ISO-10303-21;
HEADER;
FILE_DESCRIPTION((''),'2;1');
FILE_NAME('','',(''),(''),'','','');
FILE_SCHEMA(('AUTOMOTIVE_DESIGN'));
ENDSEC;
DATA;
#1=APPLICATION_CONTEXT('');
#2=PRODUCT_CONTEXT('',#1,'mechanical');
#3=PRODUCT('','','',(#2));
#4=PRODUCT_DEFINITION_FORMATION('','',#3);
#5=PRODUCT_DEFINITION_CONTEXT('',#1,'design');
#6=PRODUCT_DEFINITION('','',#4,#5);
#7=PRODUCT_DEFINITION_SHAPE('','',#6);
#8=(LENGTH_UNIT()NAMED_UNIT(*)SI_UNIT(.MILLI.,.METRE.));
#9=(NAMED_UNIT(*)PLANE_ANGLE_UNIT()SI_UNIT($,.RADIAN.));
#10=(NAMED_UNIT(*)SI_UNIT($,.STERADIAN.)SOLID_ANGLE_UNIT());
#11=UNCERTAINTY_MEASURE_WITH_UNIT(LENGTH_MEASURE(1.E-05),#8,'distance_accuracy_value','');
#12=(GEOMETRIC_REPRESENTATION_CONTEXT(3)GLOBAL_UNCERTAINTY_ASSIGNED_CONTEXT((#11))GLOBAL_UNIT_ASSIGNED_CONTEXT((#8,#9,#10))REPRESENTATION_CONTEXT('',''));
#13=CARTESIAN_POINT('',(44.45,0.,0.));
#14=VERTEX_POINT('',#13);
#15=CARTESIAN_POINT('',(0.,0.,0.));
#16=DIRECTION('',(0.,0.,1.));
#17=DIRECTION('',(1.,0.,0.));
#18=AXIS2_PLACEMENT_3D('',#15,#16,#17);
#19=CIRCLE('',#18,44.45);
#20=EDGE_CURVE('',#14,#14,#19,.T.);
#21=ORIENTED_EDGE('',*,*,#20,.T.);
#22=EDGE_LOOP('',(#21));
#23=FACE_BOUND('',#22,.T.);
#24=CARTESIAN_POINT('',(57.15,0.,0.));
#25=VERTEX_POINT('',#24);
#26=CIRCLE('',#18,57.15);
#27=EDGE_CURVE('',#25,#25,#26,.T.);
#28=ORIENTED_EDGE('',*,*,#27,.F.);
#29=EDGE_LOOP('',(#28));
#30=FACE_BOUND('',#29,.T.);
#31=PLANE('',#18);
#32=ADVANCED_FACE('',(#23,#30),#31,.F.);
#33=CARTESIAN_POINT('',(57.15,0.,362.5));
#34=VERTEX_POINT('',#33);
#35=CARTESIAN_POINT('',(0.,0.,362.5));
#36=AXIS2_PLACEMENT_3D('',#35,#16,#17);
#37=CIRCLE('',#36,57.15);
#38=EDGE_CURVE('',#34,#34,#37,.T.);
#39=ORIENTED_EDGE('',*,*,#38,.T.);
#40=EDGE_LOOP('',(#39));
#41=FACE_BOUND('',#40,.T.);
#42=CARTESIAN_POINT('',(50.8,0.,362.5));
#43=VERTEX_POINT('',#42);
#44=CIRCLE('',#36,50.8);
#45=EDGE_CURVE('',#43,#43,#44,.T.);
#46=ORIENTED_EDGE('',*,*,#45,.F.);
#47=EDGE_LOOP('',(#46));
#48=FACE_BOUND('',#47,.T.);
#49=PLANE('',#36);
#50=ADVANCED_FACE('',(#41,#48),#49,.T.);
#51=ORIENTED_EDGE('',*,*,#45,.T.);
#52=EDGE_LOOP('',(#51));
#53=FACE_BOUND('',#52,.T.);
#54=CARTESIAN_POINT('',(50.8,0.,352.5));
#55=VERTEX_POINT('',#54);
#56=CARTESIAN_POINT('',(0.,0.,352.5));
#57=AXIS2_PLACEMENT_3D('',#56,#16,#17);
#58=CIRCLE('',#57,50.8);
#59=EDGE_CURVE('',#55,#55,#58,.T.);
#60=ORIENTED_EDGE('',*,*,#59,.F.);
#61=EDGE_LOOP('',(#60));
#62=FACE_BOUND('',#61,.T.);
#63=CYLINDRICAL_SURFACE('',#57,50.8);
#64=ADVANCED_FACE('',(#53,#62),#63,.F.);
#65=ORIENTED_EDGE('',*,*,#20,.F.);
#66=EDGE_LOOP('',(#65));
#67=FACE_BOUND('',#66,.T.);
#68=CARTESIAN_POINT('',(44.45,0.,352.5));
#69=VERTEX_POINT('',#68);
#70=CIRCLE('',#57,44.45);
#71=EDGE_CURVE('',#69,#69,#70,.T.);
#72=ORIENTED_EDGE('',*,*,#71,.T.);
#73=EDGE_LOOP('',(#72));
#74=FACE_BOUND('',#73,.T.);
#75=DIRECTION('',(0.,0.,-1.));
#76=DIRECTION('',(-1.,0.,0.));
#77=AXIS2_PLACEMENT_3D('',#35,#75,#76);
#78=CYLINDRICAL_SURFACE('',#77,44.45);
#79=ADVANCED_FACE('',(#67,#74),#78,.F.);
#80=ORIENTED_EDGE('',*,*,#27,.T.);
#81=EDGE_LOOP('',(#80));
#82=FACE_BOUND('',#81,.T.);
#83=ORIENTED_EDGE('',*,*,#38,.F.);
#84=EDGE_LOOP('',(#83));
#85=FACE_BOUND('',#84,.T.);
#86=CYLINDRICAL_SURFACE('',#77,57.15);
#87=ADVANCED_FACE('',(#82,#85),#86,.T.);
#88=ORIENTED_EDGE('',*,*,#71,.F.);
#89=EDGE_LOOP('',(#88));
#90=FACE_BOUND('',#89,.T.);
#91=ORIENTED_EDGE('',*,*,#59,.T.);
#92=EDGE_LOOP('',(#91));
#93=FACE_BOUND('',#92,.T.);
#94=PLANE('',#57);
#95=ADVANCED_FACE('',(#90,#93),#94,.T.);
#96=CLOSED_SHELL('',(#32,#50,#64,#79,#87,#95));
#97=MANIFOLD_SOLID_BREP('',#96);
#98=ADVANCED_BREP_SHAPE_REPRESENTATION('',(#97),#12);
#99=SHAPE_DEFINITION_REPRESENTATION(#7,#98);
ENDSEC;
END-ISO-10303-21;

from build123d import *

# Parameters (mm, degrees)
SKETCH1_R           = 57.15
SKETCH1_R_2         = 44.45
BOSS_EXTRUDE1_DEPTH = 362.5
SKETCH2_R           = 50.8
SKETCH2_R_2         = 44.45
CUT_EXTRUDE1_DEPTH  = 10


with BuildPart() as part:
    # Sketch1 → Boss-Extrude1 (new body)
    with BuildSketch(Plane.XY):
        Circle(SKETCH1_R)
        Circle(SKETCH1_R_2, mode=Mode.SUBTRACT)
    extrude(amount=BOSS_EXTRUDE1_DEPTH)

    # Sketch2 → Cut-Extrude1 (cut)
    with BuildSketch(Plane.XY.offset(362.5)):
        Circle(SKETCH2_R)
        Circle(SKETCH2_R_2, mode=Mode.SUBTRACT)
    extrude(amount=-CUT_EXTRUDE1_DEPTH, mode=Mode.SUBTRACT)


solid = part.part
